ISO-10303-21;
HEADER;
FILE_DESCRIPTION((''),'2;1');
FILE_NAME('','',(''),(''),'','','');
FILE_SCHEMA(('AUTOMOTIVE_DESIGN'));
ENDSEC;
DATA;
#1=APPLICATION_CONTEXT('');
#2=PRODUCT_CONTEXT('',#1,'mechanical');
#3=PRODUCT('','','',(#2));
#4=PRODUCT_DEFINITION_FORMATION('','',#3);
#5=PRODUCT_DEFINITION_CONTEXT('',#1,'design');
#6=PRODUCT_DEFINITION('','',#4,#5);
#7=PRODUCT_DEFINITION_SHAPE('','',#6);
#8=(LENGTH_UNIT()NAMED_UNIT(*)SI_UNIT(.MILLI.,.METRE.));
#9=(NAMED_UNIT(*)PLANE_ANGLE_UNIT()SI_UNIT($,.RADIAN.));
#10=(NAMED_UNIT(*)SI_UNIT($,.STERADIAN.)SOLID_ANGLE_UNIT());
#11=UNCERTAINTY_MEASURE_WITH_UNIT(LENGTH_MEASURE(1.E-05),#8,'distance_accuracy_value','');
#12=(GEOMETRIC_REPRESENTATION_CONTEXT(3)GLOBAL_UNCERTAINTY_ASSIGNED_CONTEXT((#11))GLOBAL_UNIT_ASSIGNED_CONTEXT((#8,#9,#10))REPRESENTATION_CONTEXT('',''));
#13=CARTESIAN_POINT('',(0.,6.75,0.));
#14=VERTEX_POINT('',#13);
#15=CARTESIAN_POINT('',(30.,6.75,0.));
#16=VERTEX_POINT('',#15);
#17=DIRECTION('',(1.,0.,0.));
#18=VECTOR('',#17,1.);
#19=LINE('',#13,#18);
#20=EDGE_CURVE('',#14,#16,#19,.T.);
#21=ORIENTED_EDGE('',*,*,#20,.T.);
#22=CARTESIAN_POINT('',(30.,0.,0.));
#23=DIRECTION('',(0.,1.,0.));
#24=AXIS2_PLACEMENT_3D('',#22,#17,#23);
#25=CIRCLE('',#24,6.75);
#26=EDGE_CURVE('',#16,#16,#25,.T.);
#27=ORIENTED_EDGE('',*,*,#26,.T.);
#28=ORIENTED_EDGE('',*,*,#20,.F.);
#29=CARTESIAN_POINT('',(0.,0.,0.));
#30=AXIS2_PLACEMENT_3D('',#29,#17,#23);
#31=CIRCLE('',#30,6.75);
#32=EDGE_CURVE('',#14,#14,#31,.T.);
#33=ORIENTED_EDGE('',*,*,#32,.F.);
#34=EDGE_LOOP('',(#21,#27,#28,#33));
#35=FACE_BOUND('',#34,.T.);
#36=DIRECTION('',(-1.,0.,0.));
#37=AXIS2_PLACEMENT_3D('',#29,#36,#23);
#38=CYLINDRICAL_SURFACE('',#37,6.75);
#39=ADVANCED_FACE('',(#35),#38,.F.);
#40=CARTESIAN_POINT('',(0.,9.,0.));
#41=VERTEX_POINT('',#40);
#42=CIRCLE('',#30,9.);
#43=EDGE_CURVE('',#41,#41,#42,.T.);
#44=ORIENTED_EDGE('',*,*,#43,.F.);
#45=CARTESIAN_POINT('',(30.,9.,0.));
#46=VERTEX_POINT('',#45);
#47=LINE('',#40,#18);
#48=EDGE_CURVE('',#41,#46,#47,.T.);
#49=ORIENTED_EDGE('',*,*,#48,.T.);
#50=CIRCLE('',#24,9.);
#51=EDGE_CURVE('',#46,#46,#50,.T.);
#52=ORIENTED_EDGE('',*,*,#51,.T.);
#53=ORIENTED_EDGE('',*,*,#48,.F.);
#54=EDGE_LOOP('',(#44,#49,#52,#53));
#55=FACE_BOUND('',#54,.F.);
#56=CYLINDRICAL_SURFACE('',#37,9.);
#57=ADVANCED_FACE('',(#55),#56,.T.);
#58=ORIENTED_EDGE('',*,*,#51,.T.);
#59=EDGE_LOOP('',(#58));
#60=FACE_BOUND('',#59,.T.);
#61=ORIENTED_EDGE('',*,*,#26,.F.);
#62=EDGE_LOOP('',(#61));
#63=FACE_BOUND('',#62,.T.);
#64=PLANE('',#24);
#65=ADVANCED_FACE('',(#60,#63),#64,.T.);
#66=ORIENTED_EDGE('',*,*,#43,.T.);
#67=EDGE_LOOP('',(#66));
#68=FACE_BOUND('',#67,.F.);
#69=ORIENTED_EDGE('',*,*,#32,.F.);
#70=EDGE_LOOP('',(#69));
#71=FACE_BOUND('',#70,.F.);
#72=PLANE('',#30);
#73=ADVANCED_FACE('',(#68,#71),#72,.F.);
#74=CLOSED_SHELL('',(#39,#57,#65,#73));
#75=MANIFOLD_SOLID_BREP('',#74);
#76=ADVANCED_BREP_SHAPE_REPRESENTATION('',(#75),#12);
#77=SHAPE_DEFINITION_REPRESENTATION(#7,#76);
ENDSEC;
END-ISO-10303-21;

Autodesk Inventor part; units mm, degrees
ref_plane "YZ Plane" through (0, 0, 0) normal (1, 0, 0) x (0, 1, 0)
ref_plane "XZ Plane" through (0, 0, 0) normal (0, 1, 0) x (-1, 0, 0)
ref_plane "XY Plane" through (0, 0, 0) normal (0, 0, 1) x (1, 0, 0)
sketch "Sketch1" plane through (0, 0, 0) normal (1, 0, 0) x (0, 1, 0)
  circle A0 centre (0, 0) radius 9
  circle A1 centre (0, 0) radius 6.75
  dimension "d0" = 13.5
  dimension "d1" = 18
extrude "Extrusion1" add sketch "Sketch1" along normal blind 30
properties part number "Dummy_Plug_01"
